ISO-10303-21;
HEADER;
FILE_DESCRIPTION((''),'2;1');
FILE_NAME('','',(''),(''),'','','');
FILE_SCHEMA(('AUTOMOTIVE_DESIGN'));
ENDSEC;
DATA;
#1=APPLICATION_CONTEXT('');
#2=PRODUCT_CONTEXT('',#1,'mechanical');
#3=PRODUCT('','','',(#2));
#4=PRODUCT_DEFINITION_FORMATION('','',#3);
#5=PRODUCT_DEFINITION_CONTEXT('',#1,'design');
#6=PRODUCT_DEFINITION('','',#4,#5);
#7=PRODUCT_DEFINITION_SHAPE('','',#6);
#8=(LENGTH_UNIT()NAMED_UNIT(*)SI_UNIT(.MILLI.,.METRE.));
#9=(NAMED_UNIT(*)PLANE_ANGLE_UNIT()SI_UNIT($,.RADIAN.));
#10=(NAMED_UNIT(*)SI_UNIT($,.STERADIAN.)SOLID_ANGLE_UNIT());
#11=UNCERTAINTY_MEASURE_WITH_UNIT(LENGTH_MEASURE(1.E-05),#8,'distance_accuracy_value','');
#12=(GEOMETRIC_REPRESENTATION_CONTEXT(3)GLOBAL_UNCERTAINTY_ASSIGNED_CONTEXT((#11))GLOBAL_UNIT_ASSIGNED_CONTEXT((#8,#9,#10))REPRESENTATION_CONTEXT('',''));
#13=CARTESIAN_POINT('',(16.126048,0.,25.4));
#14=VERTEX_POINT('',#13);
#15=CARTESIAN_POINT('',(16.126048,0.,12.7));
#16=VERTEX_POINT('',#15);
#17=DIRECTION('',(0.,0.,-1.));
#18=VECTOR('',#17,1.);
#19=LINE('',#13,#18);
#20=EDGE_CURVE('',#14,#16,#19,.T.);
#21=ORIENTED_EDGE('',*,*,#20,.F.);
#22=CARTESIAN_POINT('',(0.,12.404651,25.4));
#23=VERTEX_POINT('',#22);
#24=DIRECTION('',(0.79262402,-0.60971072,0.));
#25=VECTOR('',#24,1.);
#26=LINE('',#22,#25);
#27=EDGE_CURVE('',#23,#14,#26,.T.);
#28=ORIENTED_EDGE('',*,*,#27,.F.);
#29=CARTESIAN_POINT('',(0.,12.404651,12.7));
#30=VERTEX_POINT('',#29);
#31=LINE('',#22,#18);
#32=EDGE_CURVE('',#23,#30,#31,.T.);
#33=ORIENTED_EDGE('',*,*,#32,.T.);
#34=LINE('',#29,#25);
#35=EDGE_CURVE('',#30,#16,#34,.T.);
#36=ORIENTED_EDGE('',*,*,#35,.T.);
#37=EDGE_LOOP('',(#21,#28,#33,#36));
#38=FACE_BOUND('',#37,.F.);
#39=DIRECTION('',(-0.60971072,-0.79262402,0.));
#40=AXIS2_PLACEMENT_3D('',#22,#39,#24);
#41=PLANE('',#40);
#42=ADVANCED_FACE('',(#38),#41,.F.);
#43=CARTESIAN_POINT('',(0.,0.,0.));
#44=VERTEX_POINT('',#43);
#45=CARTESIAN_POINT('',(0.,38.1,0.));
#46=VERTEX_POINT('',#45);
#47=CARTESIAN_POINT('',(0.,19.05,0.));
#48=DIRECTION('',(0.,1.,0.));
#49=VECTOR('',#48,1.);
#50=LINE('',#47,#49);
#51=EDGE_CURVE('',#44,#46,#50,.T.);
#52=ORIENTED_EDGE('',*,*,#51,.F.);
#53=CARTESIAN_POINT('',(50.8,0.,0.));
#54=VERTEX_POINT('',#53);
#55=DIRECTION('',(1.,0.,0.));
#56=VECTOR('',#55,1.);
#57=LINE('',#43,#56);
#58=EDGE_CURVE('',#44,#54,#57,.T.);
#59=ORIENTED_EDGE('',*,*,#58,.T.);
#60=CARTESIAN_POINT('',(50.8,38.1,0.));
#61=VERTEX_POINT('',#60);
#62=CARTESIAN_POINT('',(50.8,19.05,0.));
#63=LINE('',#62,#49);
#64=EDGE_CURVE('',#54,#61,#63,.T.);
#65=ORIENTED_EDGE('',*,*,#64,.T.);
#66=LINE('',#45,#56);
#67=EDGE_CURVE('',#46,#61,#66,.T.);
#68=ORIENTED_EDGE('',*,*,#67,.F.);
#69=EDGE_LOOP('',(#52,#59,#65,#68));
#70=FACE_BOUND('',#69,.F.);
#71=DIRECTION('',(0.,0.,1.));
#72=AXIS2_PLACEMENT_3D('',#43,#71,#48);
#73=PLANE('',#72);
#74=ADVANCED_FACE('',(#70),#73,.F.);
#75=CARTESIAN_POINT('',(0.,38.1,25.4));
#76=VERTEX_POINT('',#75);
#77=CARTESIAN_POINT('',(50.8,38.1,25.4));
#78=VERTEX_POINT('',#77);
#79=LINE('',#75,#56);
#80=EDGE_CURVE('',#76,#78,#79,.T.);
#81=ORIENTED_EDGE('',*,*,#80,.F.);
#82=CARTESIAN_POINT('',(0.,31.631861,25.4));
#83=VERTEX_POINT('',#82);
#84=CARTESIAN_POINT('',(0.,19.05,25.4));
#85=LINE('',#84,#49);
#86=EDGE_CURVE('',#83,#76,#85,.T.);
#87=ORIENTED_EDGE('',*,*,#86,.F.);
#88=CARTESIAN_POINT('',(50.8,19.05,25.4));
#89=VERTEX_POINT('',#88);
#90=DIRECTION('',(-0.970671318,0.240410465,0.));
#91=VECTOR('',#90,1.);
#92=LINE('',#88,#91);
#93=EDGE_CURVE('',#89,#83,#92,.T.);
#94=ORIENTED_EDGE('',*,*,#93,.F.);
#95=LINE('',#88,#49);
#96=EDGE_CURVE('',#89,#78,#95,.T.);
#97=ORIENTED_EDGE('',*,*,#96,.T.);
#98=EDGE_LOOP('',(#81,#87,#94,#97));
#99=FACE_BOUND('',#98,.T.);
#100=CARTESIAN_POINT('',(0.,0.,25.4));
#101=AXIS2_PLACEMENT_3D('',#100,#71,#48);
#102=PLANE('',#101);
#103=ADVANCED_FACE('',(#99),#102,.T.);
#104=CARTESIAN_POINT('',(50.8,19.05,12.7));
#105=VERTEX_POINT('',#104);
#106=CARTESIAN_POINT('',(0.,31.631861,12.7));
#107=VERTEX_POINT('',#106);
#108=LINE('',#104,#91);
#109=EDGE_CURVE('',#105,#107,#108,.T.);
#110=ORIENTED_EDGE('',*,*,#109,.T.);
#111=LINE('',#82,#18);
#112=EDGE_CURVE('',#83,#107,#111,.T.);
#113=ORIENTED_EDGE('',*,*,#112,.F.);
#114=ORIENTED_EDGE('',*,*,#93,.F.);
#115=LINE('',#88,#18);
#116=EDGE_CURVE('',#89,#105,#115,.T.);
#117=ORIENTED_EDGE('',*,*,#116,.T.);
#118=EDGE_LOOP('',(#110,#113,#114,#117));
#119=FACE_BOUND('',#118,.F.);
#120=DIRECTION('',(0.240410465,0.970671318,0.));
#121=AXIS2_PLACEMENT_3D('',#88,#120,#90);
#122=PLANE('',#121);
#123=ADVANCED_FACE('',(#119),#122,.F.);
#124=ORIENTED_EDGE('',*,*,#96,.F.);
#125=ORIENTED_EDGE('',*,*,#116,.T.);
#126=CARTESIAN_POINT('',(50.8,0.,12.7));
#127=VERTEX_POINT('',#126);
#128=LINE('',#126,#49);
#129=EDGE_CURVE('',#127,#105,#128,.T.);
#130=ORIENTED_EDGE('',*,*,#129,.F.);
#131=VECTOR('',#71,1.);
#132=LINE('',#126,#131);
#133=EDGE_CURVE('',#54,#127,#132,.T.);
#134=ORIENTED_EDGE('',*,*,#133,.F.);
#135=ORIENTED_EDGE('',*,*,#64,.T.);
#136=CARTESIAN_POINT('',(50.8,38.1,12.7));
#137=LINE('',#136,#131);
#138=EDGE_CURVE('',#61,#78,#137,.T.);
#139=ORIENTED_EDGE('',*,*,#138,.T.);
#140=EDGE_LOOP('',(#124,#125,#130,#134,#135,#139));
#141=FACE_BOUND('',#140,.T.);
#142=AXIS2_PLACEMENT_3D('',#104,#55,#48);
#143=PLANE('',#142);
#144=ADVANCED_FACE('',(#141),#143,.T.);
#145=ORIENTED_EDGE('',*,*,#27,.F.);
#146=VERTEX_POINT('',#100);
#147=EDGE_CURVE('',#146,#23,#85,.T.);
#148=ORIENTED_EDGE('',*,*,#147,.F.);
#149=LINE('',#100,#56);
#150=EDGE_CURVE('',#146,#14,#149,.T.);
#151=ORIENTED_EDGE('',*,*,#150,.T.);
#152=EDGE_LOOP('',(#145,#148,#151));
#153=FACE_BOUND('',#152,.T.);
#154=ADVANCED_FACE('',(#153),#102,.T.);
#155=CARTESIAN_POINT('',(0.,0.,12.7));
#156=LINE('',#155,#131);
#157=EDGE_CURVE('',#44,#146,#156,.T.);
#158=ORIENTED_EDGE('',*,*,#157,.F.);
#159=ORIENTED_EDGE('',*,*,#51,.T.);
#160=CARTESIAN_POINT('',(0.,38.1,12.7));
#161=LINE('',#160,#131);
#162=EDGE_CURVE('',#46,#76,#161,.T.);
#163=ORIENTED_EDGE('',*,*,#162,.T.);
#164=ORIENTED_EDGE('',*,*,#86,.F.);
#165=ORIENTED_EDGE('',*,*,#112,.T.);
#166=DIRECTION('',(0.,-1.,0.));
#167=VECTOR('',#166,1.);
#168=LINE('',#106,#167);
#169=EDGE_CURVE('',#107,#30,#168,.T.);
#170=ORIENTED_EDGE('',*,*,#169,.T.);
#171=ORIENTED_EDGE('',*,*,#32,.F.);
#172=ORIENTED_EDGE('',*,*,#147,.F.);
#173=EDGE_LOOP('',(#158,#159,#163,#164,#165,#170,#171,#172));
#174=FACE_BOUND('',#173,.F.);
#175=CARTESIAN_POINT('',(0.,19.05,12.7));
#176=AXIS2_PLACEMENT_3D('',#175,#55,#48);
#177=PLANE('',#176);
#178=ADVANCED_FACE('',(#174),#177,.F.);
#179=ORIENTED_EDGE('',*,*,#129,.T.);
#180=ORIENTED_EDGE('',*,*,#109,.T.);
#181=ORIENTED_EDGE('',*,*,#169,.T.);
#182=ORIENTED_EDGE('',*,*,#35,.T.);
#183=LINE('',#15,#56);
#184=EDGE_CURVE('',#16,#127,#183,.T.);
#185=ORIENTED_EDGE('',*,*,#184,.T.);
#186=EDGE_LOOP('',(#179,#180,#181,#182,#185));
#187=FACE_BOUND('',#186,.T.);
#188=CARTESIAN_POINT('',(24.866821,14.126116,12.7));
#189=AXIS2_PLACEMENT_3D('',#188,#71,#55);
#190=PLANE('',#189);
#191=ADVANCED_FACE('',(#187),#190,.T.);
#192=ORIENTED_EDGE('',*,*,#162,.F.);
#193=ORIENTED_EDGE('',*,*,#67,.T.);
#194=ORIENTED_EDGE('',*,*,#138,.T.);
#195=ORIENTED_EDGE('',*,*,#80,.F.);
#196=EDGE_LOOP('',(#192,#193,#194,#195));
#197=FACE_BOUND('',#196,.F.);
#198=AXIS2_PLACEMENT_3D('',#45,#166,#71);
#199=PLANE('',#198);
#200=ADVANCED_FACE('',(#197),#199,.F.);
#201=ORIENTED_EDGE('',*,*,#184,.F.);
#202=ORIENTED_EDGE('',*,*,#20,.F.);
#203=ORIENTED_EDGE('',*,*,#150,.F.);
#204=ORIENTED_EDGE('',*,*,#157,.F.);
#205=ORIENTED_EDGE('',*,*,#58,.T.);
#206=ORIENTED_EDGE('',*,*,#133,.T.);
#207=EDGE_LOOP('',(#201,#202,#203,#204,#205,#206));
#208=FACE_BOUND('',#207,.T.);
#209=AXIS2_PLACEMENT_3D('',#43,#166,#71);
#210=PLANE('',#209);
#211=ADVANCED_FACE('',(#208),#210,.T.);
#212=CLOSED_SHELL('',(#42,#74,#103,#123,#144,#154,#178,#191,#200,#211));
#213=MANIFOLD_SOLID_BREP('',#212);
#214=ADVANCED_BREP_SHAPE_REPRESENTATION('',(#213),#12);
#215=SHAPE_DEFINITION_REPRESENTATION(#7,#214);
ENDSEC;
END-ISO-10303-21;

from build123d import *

# Parameters (mm, degrees)
F0_W     = 38.1
F0_H     = 25.4
F1_DEPTH = 50.8
F3_DEPTH = 12.7


with BuildPart() as f1:
    # F0 (on Right) → F1 (new body)
    with BuildSketch(Plane.YZ):
        with Locations((19.05, 12.7)):
            Rectangle(F0_W, F0_H)
    extrude(amount=F1_DEPTH)

    # F2 (on face) → F3 (cut)
    with BuildSketch(Plane.XY.offset(25.4)):
        Polygon((0, 12.404651), (16.126048, 0), (50.8, 0), (50.8, 19.05), (0, 31.631861), align=None)
    extrude(amount=-F3_DEPTH, mode=Mode.SUBTRACT)


solid = f1.part
